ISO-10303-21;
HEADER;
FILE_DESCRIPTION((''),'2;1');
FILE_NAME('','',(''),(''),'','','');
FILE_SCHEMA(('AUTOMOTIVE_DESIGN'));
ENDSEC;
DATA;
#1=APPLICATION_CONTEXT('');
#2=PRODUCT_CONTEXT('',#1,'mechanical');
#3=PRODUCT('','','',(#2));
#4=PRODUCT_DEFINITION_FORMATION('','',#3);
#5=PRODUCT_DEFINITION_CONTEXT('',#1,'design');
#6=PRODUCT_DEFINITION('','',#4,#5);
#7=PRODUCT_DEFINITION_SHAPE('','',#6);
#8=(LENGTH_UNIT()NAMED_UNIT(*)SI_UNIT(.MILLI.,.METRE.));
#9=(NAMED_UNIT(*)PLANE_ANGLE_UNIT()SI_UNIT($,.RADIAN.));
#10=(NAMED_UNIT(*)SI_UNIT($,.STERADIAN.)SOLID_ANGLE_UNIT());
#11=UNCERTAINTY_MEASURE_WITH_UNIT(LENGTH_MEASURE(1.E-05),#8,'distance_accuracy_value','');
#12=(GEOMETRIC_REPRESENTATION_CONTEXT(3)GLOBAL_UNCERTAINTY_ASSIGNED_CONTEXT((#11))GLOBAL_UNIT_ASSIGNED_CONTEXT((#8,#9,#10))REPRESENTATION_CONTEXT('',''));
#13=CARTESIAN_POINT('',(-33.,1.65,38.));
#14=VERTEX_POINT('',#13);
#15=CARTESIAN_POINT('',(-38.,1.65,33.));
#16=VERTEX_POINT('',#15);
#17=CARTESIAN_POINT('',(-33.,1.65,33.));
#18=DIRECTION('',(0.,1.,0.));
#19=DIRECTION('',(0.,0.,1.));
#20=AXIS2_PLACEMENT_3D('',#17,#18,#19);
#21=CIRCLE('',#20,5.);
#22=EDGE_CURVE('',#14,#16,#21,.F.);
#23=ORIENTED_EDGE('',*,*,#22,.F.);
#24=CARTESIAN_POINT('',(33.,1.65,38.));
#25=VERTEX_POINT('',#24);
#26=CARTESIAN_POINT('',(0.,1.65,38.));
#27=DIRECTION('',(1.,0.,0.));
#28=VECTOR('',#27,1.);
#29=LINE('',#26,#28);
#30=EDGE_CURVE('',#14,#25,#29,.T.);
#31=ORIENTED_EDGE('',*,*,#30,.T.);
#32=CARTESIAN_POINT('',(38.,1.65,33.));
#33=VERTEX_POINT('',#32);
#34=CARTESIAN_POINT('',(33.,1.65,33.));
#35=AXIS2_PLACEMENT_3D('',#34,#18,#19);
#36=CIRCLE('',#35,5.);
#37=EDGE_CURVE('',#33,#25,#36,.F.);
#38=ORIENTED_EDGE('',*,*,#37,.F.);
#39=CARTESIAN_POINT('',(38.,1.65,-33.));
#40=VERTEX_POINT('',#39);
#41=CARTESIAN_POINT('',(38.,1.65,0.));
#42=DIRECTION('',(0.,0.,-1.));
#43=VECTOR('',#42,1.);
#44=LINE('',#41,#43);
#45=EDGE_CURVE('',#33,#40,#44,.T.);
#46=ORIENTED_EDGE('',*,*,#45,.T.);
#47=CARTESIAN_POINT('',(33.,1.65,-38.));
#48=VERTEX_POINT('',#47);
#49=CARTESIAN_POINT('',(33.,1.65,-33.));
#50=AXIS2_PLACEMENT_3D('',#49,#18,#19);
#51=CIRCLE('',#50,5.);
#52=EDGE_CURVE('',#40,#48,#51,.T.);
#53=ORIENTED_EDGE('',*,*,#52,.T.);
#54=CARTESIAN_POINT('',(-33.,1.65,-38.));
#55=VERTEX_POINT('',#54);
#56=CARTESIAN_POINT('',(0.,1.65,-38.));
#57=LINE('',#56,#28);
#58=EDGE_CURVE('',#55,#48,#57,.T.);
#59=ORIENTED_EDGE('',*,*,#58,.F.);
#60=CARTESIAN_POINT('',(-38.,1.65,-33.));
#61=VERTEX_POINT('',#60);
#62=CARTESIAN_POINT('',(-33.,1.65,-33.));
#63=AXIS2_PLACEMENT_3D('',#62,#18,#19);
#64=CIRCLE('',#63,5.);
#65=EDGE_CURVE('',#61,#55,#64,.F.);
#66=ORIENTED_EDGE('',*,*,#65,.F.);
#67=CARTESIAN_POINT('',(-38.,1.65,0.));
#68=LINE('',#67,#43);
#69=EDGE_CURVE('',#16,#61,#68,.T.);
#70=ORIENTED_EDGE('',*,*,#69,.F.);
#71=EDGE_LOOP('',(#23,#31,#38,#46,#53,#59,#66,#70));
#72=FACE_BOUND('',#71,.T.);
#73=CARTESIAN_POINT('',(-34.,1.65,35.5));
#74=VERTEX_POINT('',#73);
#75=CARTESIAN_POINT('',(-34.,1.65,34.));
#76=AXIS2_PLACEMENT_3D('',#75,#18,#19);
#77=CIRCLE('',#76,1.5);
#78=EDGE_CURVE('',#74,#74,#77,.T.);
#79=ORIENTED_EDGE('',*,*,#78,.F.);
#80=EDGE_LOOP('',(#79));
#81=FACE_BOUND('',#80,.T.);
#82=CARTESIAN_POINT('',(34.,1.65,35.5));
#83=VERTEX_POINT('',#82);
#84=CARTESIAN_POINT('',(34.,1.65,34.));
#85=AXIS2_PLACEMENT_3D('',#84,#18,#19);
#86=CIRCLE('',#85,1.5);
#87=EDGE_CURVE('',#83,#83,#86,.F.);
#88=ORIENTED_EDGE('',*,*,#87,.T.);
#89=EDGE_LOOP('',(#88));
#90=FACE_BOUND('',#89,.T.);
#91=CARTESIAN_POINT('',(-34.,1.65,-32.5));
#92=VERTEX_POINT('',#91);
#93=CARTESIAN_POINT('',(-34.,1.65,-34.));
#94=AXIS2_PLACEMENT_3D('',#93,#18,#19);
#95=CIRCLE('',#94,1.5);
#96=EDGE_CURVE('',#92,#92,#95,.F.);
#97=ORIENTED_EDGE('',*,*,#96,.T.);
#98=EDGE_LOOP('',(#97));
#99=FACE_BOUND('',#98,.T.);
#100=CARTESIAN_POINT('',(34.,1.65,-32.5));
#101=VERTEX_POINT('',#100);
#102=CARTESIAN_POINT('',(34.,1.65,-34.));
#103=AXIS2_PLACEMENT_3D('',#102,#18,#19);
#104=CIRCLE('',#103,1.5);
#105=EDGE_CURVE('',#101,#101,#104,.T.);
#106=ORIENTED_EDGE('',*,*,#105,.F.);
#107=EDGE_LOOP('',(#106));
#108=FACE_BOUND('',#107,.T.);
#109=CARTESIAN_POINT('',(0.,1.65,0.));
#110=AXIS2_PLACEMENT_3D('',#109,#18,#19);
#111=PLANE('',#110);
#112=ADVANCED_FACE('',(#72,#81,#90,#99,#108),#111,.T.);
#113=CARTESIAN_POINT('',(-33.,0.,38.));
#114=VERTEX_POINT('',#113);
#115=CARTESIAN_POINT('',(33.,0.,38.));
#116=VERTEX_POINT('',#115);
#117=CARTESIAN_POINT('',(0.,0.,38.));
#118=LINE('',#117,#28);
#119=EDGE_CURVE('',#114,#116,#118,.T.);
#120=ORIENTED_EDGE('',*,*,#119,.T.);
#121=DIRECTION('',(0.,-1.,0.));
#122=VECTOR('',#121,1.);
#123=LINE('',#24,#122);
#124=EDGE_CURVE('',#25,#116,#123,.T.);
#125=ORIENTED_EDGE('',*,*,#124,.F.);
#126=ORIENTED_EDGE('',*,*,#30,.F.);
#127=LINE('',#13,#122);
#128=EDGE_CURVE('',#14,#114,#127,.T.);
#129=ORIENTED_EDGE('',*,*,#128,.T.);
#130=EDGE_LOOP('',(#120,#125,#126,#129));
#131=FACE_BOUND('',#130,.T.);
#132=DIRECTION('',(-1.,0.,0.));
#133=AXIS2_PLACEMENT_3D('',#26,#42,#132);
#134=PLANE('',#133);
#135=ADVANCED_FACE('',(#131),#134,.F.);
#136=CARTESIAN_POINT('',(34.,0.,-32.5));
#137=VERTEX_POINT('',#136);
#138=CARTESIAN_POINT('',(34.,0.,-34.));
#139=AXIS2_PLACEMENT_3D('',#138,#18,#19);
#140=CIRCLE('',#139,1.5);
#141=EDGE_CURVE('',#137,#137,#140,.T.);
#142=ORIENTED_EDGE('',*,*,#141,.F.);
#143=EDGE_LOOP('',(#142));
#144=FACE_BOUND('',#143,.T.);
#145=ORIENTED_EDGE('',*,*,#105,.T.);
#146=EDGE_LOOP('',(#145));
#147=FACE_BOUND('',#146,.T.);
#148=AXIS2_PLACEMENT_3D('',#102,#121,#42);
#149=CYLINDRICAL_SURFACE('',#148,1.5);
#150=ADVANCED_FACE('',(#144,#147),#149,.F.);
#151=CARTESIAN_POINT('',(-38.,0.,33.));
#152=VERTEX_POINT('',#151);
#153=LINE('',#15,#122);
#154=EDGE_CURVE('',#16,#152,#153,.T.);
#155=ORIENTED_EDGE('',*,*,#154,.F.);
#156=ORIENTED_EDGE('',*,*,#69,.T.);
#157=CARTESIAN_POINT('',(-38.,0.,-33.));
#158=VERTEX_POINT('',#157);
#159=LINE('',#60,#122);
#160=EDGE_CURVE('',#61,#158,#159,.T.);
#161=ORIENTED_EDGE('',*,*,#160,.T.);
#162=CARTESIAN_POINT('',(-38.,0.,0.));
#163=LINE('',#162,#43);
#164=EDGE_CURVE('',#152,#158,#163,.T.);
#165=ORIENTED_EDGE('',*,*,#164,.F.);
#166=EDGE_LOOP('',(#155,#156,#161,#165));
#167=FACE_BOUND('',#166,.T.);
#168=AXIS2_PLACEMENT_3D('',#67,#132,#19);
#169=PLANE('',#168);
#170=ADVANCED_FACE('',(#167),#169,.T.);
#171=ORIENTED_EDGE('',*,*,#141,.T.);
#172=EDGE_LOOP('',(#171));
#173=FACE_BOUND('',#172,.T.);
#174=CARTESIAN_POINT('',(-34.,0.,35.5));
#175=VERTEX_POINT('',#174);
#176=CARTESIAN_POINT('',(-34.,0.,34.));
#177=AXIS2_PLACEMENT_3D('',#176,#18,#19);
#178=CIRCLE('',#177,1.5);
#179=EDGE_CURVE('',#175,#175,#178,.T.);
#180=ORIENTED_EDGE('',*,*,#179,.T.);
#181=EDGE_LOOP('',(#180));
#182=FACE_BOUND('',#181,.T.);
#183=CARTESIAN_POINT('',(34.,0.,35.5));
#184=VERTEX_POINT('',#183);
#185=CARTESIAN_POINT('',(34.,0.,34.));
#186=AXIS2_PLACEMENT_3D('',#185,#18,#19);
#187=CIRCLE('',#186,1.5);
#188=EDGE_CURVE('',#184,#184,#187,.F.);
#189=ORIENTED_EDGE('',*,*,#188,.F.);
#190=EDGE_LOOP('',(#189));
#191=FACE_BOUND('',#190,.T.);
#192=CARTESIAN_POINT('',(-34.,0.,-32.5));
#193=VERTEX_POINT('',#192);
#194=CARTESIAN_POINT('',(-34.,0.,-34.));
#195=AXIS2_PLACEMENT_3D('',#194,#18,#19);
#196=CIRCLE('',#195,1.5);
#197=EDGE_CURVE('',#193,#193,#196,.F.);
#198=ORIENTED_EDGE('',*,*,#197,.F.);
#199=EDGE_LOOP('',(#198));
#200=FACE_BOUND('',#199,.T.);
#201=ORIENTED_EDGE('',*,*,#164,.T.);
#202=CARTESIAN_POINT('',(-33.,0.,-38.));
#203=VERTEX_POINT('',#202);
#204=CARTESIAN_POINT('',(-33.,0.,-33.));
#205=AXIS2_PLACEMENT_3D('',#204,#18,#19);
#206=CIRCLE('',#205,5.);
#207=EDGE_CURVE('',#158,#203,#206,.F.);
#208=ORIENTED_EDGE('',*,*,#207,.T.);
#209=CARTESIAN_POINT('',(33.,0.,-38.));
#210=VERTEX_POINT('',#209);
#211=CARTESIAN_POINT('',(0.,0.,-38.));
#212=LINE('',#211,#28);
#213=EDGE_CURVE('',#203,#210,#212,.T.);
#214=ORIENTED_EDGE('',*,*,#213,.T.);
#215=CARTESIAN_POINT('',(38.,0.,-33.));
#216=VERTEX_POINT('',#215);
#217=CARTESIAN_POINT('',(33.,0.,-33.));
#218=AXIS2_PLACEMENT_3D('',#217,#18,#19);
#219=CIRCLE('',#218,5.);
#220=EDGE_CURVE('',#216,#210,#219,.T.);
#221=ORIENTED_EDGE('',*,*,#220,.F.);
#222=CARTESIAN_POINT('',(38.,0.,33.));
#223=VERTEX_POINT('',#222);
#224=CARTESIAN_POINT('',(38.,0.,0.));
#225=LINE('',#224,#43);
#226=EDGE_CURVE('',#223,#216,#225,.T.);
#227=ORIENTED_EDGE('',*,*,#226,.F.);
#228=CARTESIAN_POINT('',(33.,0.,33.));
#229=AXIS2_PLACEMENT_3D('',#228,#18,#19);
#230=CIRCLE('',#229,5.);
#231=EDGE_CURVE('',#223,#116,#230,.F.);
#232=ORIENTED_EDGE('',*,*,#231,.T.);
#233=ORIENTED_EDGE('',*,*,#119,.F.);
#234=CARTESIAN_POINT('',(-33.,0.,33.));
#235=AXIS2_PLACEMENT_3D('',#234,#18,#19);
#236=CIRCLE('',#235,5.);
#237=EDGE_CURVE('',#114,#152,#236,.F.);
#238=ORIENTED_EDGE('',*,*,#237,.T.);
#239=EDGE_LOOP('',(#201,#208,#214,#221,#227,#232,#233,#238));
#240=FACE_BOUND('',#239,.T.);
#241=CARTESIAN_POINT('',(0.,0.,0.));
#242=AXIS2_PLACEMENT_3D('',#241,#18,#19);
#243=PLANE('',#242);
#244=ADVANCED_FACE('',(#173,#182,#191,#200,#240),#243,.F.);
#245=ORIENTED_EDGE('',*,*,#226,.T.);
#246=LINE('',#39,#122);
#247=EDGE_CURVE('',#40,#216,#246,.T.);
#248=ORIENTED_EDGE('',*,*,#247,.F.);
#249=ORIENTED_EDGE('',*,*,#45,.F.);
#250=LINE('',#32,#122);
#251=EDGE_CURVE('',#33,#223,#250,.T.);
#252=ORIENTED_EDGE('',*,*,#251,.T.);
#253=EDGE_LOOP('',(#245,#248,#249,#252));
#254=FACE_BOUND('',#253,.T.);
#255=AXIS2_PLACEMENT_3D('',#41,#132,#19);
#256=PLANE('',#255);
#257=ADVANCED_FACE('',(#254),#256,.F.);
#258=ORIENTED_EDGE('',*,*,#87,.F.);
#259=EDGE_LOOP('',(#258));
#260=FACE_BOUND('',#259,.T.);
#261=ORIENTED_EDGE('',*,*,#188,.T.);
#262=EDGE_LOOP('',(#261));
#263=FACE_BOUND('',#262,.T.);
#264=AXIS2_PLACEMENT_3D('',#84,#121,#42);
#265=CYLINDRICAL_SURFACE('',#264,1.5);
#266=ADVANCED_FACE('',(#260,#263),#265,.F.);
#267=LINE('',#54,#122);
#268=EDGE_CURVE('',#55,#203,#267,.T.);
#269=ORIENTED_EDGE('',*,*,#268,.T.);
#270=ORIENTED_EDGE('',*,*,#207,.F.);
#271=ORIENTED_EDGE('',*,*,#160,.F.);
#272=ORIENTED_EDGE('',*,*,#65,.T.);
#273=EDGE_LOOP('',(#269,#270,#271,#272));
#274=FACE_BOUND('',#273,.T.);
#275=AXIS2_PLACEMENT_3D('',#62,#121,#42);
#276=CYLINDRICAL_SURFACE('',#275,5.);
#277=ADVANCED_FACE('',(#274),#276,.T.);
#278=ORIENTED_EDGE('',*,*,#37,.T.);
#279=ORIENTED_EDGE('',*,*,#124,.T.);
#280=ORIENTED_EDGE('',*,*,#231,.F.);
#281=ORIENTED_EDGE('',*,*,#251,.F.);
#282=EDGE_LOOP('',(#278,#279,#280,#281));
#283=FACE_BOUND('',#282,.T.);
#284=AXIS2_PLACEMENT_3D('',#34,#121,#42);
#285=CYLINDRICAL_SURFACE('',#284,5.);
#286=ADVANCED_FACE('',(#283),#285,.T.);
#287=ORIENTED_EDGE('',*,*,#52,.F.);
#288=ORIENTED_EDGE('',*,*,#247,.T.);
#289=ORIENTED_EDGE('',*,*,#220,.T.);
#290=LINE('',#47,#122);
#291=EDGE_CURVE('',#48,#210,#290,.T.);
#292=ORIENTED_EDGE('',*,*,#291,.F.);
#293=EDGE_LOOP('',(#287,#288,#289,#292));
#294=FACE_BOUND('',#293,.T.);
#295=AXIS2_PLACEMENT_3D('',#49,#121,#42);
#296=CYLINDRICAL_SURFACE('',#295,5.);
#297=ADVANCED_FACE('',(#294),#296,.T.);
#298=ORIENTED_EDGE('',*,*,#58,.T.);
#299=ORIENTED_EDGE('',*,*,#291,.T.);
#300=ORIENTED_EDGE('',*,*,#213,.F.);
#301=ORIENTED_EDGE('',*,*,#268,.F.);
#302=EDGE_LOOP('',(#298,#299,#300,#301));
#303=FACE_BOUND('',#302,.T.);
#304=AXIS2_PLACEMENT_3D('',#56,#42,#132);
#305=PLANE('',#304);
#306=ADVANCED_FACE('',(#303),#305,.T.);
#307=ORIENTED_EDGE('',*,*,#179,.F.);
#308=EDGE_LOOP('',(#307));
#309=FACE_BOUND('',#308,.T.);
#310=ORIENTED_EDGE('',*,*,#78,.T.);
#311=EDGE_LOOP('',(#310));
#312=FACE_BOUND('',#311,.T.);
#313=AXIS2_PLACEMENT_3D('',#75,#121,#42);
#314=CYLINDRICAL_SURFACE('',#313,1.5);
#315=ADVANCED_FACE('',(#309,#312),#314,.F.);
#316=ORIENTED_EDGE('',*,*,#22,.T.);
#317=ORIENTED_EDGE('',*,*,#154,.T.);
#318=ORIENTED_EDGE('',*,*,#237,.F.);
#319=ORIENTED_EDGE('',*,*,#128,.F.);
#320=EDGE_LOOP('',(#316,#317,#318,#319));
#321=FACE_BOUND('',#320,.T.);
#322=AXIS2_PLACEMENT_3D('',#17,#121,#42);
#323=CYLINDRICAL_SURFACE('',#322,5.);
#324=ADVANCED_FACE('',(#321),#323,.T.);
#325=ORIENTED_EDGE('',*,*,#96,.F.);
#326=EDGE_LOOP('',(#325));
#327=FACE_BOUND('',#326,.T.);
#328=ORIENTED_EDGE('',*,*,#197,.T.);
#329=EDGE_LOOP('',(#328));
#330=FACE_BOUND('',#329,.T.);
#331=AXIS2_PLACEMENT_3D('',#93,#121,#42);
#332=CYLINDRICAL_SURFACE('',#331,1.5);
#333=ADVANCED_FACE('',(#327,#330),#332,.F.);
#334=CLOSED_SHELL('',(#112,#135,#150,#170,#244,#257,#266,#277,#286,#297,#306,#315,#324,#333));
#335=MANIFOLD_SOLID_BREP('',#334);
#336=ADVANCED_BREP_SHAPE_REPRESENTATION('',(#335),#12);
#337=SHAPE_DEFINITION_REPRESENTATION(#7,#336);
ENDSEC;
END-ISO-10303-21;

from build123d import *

# Parameters (mm, degrees)
SKETCH_1_R      = 1.5
EXTRUDE_1_DEPTH = 1.65


with BuildPart() as part:
    # 草图1 → 凸台-拉伸1 (new body)
    with BuildSketch(Plane(origin=(0, 0, 0), x_dir=(1, 0, 0), z_dir=(0, 1, 0))):
        with BuildLine():
            Line((-33, -38), (33, -38))
            ThreePointArc((33, -38), (36.535533906, -36.535533906), (38, -33))
            Line((38, -33), (38, 33))
            ThreePointArc((38, 33), (36.535533906, 36.535533906), (33, 38))
            Line((33, 38), (-33, 38))
            ThreePointArc((-33, 38), (-36.535533906, 36.535533906), (-38, 33))
            Line((-38, 33), (-38, -33))
            ThreePointArc((-38, -33), (-36.535533906, -36.535533906), (-33, -38))
        make_face()
        with Locations(Location((-34, -34, 0), (0, 0, 270))):
            Circle(SKETCH_1_R, mode=Mode.SUBTRACT)
        with Locations(Location((34, -34, 0), (0, 0, 270))):
            Circle(SKETCH_1_R, mode=Mode.SUBTRACT)
        with Locations(Location((-34, 34, 0), (0, 0, 270))):
            Circle(SKETCH_1_R, mode=Mode.SUBTRACT)
        with Locations(Location((34, 34, 0), (0, 0, 270))):
            Circle(SKETCH_1_R, mode=Mode.SUBTRACT)
    extrude(amount=EXTRUDE_1_DEPTH)


solid = part.part
